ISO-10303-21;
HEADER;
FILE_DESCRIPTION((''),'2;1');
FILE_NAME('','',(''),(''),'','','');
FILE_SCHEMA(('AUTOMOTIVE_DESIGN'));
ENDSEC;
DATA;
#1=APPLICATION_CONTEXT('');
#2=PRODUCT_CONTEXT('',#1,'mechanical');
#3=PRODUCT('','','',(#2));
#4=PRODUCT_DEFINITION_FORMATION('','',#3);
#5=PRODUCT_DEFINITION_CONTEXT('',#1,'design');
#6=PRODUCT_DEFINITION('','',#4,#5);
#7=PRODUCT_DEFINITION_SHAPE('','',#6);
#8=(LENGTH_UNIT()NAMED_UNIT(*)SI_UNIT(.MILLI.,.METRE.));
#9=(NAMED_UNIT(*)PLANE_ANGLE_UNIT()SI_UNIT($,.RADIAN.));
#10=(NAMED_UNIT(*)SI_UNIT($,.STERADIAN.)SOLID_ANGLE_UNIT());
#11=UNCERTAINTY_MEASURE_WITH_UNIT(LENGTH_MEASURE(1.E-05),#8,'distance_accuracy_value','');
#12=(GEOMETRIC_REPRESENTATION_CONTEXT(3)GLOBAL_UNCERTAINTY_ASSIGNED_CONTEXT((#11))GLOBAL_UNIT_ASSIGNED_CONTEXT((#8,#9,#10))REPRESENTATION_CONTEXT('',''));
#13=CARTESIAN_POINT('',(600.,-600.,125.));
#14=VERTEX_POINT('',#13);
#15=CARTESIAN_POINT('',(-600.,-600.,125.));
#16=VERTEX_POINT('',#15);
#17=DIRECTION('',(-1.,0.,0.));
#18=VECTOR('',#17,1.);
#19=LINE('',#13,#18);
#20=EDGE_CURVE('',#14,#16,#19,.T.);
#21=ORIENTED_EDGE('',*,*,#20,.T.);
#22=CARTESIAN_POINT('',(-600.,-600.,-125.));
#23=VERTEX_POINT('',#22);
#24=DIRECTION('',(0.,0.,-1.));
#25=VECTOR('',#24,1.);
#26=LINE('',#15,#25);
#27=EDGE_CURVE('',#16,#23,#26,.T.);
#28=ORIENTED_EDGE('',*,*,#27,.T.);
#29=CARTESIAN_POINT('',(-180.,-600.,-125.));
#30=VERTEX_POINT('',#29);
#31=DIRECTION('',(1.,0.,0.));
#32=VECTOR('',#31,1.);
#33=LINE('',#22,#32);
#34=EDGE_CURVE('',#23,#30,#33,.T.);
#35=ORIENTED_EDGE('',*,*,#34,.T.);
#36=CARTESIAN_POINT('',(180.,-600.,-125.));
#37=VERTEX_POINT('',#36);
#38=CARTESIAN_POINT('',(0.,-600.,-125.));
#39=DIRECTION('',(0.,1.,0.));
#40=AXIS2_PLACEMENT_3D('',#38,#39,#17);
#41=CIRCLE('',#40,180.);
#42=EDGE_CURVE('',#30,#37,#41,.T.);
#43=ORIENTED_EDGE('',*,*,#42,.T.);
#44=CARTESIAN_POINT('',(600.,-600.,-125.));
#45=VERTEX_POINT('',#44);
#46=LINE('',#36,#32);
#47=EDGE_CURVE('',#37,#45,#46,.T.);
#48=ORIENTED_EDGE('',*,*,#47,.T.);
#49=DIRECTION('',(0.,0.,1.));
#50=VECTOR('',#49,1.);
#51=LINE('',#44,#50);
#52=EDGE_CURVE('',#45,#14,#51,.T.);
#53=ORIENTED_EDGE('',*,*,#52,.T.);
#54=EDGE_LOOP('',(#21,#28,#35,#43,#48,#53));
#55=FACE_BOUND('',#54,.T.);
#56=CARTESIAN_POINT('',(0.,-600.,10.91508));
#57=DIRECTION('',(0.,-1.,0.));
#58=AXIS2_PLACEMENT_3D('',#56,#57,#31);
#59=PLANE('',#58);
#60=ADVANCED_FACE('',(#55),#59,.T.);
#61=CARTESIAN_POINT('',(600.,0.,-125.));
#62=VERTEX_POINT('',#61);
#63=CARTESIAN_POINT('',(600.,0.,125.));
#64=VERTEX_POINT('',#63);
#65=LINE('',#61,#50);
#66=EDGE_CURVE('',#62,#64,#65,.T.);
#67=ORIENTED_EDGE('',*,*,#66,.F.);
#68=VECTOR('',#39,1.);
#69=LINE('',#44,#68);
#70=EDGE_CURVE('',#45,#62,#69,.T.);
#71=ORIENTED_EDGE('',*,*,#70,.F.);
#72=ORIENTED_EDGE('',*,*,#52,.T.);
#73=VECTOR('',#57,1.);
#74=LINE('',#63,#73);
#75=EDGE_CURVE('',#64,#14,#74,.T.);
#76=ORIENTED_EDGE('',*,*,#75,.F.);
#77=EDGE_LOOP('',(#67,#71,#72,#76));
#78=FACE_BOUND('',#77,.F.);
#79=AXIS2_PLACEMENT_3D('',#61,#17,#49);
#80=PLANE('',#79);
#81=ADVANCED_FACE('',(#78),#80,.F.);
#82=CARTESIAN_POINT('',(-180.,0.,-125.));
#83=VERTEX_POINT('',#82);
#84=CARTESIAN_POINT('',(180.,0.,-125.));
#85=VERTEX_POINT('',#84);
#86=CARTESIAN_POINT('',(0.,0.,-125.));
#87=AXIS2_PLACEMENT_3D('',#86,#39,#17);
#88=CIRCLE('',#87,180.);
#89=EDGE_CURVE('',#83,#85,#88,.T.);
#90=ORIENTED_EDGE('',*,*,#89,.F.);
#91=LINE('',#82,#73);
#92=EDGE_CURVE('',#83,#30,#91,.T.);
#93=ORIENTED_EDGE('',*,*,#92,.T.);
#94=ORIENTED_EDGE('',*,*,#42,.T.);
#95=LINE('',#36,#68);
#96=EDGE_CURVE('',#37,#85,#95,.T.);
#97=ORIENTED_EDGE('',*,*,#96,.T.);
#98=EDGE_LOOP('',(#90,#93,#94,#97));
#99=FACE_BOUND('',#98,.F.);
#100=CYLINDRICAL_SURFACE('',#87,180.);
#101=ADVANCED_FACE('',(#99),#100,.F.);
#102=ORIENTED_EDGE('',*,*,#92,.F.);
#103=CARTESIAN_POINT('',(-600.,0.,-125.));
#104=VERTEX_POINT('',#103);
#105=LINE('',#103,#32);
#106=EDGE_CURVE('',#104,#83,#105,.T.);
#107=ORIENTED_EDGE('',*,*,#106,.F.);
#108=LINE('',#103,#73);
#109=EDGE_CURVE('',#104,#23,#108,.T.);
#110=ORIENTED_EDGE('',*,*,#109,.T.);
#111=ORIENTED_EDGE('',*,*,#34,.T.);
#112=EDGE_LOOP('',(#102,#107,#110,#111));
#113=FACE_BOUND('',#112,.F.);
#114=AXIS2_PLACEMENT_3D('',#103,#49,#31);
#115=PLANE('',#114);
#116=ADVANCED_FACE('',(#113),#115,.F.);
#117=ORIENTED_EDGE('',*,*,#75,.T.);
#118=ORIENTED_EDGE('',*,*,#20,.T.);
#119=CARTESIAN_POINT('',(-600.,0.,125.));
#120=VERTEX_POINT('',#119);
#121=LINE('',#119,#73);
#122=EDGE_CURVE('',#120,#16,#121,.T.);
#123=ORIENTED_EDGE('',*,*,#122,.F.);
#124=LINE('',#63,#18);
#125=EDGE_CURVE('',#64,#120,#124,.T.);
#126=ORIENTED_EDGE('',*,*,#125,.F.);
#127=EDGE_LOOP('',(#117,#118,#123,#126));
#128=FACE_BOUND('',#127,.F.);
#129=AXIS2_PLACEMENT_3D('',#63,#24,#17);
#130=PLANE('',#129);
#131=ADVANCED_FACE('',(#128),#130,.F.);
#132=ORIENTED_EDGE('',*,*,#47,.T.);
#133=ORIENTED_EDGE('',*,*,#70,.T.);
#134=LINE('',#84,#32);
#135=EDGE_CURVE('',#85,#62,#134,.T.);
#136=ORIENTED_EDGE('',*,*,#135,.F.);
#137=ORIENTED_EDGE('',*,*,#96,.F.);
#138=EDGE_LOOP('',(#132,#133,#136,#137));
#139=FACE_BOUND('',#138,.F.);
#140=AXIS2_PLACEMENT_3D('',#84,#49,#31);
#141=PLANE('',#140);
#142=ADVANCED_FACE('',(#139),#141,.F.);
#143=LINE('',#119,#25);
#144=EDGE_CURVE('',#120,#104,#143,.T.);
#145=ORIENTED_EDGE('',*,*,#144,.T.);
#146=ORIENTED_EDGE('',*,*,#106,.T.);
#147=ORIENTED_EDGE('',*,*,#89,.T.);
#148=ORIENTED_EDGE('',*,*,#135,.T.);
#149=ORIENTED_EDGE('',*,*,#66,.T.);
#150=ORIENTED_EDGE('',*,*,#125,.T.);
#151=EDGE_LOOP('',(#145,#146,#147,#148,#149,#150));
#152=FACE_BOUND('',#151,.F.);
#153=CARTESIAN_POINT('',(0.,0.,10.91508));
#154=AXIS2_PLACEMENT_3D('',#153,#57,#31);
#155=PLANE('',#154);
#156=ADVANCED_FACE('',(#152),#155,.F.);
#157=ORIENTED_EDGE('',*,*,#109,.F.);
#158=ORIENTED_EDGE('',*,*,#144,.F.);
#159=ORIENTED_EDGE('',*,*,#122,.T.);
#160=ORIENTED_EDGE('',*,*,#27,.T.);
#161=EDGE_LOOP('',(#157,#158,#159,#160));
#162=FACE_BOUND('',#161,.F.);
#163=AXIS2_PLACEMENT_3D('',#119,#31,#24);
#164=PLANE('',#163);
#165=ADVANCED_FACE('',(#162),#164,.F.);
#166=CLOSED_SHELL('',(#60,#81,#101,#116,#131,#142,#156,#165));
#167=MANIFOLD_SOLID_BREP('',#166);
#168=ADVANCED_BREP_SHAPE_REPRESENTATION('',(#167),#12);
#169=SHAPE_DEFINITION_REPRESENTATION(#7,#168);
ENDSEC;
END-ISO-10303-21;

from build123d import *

# Parameters (mm, degrees)
F1_DEPTH = 600
F2_DEPTH = 500


with BuildPart() as f1:
    # F0 (on Front) → F1 (new body)
    with BuildSketch(Plane.XZ):
        with BuildLine():
            Line((600, -125), (600, 125))
            Line((600, 125), (-600, 125))
            Line((-600, 125), (-600, -125))
            Line((-600, -125), (-180, -125))
            ThreePointArc((-180, -125), (0, 55), (180, -125))
            Line((180, -125), (600, -125))
        make_face()
    extrude(amount=F1_DEPTH)

    # F0 (on Front) → F2 (join)
    with BuildSketch(Plane.XZ):
        with BuildLine():
            Line((600, -125), (600, 125))
            Line((600, 125), (-600, 125))
            Line((-600, 125), (-600, -125))
            Line((-600, -125), (-180, -125))
            ThreePointArc((-180, -125), (0, 55), (180, -125))
            Line((180, -125), (600, -125))
        make_face()
    extrude(amount=F2_DEPTH)


solid = f1.part
